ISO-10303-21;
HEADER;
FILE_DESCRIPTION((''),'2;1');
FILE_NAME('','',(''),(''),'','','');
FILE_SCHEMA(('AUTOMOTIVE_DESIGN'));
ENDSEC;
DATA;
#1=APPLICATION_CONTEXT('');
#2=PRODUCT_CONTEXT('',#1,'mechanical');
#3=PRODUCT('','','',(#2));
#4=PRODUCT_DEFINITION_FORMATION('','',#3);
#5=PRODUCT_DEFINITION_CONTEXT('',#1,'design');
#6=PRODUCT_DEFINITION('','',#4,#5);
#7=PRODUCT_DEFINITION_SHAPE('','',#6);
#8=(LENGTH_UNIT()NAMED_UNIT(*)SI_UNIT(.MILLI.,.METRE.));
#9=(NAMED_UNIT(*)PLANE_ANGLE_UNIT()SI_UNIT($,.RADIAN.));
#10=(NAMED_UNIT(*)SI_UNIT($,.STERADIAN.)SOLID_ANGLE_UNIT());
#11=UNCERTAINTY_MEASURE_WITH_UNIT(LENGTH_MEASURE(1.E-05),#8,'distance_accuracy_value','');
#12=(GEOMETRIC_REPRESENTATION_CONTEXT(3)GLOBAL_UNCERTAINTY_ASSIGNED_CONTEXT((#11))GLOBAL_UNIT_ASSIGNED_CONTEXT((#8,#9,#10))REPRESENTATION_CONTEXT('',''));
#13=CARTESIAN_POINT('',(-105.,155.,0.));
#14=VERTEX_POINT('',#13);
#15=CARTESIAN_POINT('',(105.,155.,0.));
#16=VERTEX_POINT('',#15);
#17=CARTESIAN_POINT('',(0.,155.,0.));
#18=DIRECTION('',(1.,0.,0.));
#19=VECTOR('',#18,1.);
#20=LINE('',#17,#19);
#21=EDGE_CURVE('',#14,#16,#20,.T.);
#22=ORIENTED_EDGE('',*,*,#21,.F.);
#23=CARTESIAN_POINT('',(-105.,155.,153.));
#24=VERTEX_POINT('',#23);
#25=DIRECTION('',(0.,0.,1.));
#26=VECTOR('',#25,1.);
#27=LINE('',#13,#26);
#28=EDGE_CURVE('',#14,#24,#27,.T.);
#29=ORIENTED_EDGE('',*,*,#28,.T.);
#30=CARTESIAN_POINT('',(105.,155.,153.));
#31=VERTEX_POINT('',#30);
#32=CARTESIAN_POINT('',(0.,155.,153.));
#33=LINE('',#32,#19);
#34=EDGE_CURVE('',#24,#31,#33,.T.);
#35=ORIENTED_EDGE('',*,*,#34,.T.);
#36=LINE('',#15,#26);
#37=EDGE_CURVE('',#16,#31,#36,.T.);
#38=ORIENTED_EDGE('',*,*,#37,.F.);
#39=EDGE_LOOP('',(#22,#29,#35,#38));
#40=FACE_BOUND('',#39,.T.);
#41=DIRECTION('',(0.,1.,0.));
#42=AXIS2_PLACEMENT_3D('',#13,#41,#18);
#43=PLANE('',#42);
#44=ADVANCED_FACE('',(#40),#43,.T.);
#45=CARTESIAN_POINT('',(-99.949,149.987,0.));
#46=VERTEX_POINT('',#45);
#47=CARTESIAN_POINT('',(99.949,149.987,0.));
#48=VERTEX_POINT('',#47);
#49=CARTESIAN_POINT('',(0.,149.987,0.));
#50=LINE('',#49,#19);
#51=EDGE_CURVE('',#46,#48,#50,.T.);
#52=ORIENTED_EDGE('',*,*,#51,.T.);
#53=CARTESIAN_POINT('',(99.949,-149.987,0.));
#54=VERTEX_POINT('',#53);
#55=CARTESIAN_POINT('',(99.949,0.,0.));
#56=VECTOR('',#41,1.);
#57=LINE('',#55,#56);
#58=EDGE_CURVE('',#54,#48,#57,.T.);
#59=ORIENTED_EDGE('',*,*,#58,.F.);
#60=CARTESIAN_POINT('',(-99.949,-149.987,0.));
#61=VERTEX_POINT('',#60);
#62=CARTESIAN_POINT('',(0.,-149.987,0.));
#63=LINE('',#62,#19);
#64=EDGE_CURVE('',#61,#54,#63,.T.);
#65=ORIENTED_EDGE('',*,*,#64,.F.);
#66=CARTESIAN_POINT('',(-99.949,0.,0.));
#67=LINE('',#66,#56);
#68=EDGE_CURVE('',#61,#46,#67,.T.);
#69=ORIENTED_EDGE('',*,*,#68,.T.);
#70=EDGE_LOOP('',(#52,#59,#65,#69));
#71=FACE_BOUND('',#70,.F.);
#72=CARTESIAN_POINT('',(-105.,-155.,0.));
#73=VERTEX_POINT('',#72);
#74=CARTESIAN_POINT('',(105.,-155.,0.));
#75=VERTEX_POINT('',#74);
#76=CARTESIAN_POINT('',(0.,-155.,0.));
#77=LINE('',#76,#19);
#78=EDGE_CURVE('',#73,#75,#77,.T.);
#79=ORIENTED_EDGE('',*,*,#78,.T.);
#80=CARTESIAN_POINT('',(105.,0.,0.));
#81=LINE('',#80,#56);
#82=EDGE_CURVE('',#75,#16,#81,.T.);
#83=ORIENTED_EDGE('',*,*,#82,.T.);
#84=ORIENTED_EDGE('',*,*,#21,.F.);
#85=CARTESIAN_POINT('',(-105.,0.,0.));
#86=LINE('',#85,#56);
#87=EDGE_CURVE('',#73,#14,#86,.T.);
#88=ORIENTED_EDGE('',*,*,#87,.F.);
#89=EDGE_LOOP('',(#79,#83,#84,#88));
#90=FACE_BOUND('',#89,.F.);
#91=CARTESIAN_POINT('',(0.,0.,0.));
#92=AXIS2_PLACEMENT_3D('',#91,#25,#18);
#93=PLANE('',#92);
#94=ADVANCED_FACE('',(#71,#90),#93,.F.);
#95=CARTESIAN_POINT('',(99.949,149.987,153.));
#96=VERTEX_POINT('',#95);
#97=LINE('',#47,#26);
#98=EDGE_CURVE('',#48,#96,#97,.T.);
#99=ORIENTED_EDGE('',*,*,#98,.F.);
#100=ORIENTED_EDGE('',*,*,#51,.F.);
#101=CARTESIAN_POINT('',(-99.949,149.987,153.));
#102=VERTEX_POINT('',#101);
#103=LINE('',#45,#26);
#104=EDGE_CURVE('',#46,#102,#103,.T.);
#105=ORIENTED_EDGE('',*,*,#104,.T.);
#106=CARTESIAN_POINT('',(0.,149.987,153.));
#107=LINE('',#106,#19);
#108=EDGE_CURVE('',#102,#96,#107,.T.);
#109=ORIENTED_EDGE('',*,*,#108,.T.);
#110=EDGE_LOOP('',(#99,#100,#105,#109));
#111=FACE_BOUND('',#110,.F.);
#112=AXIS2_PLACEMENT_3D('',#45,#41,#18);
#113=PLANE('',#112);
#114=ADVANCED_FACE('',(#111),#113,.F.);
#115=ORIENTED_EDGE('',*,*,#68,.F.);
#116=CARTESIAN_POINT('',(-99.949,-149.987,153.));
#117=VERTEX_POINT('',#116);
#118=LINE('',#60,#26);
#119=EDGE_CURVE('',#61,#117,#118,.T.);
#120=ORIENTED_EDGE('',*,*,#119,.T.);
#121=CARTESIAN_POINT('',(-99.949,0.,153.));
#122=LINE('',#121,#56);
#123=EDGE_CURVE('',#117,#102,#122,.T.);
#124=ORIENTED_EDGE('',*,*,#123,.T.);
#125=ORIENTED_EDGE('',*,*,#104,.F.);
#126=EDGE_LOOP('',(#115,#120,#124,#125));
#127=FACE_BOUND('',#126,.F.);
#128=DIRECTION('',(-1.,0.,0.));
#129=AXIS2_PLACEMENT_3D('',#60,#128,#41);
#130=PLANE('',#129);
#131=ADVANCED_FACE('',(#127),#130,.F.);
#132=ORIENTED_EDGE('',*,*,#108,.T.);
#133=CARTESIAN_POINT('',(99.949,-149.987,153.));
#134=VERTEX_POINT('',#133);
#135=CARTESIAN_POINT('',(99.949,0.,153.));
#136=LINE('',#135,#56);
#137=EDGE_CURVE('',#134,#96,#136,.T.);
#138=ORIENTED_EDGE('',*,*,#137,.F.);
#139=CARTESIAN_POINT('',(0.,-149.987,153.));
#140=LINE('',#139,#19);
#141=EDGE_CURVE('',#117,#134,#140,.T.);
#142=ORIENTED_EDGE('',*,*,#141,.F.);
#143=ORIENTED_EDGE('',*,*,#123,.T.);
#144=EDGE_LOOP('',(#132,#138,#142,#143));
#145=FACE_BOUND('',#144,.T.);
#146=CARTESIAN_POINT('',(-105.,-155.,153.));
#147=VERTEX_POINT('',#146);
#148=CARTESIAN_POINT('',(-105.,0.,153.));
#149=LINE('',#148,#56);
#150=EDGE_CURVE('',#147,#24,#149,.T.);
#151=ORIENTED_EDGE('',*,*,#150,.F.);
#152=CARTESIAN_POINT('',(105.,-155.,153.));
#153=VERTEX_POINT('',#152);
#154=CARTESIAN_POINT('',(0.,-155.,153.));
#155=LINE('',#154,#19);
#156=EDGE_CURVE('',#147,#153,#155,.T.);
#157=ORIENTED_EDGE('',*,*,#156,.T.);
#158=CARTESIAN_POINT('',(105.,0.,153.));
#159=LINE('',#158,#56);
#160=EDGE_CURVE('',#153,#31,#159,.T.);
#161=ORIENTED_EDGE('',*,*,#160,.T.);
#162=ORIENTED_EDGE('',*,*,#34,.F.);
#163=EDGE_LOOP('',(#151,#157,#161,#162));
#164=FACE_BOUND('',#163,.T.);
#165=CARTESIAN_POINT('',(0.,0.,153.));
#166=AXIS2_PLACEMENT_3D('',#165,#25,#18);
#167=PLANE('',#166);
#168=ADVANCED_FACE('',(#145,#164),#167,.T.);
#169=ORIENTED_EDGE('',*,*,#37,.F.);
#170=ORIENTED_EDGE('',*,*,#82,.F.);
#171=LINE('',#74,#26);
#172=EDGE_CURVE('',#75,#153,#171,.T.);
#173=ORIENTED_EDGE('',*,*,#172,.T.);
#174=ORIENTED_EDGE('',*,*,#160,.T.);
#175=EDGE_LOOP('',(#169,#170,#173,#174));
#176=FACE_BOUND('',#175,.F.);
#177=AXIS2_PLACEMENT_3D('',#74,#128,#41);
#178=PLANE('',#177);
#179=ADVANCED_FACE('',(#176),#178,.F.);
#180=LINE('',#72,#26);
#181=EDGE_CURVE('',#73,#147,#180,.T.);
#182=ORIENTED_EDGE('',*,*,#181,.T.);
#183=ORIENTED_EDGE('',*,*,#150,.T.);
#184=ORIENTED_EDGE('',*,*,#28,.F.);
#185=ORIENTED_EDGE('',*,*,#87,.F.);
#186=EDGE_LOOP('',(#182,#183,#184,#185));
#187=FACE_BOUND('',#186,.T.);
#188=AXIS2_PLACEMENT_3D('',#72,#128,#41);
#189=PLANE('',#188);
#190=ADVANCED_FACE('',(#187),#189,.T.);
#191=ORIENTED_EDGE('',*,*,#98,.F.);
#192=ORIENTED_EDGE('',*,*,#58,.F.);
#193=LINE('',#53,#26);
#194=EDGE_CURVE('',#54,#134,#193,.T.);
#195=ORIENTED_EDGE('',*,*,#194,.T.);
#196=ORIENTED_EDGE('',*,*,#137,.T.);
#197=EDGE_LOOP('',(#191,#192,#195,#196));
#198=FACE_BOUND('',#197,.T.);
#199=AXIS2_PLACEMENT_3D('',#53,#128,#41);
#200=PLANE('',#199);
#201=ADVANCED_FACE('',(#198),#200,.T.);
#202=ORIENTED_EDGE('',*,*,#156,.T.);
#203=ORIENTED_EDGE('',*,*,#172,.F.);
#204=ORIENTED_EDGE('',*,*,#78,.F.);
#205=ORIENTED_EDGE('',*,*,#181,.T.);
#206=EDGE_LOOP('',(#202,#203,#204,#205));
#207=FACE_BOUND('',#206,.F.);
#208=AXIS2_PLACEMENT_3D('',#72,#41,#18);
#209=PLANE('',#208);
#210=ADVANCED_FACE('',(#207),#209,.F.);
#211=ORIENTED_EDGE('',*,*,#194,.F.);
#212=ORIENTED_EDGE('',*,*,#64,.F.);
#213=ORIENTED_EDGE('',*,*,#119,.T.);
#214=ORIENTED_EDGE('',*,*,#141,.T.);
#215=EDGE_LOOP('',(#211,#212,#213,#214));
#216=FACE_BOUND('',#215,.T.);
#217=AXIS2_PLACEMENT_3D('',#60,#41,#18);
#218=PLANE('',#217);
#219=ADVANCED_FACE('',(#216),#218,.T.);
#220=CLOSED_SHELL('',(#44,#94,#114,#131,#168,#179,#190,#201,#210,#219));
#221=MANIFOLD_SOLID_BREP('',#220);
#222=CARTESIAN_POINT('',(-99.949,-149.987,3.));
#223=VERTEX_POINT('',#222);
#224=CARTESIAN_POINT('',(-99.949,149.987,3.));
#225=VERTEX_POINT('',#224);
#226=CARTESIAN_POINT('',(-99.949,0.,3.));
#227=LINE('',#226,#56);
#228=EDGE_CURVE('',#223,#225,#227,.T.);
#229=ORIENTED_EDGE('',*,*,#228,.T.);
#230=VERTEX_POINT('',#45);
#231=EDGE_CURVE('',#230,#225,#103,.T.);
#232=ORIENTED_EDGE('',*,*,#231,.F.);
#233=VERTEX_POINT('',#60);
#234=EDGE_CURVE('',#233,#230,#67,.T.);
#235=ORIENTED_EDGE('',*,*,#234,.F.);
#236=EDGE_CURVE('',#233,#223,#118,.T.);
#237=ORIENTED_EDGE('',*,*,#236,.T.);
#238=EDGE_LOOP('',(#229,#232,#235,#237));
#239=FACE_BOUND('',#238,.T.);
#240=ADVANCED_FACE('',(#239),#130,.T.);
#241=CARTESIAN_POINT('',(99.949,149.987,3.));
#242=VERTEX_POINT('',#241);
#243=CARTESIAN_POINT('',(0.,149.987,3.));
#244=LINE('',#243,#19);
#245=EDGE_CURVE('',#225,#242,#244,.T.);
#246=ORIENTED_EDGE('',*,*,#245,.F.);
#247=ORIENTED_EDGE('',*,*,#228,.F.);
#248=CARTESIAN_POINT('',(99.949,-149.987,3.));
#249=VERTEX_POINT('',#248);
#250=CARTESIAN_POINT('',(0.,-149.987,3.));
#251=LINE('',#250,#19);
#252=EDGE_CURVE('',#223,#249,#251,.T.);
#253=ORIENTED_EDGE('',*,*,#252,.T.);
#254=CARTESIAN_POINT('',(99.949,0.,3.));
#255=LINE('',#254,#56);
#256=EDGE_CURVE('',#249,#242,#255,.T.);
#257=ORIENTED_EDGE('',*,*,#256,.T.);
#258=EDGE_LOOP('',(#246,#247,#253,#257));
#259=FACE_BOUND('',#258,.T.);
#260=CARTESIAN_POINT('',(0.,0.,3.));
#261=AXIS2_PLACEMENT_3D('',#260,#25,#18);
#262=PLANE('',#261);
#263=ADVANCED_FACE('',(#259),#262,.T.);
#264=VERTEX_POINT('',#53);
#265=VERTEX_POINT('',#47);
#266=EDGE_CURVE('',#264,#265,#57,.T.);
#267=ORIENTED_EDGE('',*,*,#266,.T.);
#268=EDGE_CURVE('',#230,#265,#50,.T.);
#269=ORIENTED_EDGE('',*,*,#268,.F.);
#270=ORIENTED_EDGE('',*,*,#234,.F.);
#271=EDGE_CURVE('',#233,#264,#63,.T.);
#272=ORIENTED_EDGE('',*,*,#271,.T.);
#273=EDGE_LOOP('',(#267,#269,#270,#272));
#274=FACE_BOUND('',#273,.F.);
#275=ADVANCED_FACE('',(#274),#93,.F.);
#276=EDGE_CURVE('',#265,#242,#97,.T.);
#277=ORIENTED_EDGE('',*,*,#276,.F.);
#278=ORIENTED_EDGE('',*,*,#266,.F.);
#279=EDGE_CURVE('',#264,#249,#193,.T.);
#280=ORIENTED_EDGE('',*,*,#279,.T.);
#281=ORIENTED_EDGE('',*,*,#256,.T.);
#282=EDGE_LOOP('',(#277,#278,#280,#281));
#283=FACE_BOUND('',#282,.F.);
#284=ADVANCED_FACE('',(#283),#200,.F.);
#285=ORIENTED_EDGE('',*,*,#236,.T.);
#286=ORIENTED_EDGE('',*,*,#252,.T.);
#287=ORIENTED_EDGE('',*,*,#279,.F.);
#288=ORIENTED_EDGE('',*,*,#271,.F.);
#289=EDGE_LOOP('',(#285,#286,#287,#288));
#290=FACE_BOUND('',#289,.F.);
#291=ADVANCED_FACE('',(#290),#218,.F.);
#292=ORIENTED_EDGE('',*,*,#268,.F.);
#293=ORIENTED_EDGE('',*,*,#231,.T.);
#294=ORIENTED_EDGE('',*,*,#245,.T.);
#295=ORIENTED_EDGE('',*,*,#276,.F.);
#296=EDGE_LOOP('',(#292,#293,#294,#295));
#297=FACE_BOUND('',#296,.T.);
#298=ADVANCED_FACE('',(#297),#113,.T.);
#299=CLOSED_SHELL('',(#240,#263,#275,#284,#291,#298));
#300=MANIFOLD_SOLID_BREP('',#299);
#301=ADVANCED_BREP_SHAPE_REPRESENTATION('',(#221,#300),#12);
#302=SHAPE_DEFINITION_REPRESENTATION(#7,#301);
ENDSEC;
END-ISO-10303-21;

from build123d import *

# Parameters (mm, degrees)
F0_W     = 210
F0_H     = 310
F0_W_2   = 199.898
F0_H_2   = 299.974
F1_DEPTH = 153
F2_DEPTH = 3


with BuildPart() as f1:
    # F0 (on Top) → F1 (new body)
    with BuildSketch(Plane.XY):
        Rectangle(F0_W, F0_H)
        Rectangle(F0_W_2, F0_H_2, mode=Mode.SUBTRACT)
    extrude(amount=F1_DEPTH)


with BuildPart() as f2:
    # F0 (on Top) → F2 (new body)
    with BuildSketch(Plane.XY):
        Rectangle(F0_W_2, F0_H_2)
    extrude(amount=F2_DEPTH)


solid = Compound([f1.part, f2.part])
